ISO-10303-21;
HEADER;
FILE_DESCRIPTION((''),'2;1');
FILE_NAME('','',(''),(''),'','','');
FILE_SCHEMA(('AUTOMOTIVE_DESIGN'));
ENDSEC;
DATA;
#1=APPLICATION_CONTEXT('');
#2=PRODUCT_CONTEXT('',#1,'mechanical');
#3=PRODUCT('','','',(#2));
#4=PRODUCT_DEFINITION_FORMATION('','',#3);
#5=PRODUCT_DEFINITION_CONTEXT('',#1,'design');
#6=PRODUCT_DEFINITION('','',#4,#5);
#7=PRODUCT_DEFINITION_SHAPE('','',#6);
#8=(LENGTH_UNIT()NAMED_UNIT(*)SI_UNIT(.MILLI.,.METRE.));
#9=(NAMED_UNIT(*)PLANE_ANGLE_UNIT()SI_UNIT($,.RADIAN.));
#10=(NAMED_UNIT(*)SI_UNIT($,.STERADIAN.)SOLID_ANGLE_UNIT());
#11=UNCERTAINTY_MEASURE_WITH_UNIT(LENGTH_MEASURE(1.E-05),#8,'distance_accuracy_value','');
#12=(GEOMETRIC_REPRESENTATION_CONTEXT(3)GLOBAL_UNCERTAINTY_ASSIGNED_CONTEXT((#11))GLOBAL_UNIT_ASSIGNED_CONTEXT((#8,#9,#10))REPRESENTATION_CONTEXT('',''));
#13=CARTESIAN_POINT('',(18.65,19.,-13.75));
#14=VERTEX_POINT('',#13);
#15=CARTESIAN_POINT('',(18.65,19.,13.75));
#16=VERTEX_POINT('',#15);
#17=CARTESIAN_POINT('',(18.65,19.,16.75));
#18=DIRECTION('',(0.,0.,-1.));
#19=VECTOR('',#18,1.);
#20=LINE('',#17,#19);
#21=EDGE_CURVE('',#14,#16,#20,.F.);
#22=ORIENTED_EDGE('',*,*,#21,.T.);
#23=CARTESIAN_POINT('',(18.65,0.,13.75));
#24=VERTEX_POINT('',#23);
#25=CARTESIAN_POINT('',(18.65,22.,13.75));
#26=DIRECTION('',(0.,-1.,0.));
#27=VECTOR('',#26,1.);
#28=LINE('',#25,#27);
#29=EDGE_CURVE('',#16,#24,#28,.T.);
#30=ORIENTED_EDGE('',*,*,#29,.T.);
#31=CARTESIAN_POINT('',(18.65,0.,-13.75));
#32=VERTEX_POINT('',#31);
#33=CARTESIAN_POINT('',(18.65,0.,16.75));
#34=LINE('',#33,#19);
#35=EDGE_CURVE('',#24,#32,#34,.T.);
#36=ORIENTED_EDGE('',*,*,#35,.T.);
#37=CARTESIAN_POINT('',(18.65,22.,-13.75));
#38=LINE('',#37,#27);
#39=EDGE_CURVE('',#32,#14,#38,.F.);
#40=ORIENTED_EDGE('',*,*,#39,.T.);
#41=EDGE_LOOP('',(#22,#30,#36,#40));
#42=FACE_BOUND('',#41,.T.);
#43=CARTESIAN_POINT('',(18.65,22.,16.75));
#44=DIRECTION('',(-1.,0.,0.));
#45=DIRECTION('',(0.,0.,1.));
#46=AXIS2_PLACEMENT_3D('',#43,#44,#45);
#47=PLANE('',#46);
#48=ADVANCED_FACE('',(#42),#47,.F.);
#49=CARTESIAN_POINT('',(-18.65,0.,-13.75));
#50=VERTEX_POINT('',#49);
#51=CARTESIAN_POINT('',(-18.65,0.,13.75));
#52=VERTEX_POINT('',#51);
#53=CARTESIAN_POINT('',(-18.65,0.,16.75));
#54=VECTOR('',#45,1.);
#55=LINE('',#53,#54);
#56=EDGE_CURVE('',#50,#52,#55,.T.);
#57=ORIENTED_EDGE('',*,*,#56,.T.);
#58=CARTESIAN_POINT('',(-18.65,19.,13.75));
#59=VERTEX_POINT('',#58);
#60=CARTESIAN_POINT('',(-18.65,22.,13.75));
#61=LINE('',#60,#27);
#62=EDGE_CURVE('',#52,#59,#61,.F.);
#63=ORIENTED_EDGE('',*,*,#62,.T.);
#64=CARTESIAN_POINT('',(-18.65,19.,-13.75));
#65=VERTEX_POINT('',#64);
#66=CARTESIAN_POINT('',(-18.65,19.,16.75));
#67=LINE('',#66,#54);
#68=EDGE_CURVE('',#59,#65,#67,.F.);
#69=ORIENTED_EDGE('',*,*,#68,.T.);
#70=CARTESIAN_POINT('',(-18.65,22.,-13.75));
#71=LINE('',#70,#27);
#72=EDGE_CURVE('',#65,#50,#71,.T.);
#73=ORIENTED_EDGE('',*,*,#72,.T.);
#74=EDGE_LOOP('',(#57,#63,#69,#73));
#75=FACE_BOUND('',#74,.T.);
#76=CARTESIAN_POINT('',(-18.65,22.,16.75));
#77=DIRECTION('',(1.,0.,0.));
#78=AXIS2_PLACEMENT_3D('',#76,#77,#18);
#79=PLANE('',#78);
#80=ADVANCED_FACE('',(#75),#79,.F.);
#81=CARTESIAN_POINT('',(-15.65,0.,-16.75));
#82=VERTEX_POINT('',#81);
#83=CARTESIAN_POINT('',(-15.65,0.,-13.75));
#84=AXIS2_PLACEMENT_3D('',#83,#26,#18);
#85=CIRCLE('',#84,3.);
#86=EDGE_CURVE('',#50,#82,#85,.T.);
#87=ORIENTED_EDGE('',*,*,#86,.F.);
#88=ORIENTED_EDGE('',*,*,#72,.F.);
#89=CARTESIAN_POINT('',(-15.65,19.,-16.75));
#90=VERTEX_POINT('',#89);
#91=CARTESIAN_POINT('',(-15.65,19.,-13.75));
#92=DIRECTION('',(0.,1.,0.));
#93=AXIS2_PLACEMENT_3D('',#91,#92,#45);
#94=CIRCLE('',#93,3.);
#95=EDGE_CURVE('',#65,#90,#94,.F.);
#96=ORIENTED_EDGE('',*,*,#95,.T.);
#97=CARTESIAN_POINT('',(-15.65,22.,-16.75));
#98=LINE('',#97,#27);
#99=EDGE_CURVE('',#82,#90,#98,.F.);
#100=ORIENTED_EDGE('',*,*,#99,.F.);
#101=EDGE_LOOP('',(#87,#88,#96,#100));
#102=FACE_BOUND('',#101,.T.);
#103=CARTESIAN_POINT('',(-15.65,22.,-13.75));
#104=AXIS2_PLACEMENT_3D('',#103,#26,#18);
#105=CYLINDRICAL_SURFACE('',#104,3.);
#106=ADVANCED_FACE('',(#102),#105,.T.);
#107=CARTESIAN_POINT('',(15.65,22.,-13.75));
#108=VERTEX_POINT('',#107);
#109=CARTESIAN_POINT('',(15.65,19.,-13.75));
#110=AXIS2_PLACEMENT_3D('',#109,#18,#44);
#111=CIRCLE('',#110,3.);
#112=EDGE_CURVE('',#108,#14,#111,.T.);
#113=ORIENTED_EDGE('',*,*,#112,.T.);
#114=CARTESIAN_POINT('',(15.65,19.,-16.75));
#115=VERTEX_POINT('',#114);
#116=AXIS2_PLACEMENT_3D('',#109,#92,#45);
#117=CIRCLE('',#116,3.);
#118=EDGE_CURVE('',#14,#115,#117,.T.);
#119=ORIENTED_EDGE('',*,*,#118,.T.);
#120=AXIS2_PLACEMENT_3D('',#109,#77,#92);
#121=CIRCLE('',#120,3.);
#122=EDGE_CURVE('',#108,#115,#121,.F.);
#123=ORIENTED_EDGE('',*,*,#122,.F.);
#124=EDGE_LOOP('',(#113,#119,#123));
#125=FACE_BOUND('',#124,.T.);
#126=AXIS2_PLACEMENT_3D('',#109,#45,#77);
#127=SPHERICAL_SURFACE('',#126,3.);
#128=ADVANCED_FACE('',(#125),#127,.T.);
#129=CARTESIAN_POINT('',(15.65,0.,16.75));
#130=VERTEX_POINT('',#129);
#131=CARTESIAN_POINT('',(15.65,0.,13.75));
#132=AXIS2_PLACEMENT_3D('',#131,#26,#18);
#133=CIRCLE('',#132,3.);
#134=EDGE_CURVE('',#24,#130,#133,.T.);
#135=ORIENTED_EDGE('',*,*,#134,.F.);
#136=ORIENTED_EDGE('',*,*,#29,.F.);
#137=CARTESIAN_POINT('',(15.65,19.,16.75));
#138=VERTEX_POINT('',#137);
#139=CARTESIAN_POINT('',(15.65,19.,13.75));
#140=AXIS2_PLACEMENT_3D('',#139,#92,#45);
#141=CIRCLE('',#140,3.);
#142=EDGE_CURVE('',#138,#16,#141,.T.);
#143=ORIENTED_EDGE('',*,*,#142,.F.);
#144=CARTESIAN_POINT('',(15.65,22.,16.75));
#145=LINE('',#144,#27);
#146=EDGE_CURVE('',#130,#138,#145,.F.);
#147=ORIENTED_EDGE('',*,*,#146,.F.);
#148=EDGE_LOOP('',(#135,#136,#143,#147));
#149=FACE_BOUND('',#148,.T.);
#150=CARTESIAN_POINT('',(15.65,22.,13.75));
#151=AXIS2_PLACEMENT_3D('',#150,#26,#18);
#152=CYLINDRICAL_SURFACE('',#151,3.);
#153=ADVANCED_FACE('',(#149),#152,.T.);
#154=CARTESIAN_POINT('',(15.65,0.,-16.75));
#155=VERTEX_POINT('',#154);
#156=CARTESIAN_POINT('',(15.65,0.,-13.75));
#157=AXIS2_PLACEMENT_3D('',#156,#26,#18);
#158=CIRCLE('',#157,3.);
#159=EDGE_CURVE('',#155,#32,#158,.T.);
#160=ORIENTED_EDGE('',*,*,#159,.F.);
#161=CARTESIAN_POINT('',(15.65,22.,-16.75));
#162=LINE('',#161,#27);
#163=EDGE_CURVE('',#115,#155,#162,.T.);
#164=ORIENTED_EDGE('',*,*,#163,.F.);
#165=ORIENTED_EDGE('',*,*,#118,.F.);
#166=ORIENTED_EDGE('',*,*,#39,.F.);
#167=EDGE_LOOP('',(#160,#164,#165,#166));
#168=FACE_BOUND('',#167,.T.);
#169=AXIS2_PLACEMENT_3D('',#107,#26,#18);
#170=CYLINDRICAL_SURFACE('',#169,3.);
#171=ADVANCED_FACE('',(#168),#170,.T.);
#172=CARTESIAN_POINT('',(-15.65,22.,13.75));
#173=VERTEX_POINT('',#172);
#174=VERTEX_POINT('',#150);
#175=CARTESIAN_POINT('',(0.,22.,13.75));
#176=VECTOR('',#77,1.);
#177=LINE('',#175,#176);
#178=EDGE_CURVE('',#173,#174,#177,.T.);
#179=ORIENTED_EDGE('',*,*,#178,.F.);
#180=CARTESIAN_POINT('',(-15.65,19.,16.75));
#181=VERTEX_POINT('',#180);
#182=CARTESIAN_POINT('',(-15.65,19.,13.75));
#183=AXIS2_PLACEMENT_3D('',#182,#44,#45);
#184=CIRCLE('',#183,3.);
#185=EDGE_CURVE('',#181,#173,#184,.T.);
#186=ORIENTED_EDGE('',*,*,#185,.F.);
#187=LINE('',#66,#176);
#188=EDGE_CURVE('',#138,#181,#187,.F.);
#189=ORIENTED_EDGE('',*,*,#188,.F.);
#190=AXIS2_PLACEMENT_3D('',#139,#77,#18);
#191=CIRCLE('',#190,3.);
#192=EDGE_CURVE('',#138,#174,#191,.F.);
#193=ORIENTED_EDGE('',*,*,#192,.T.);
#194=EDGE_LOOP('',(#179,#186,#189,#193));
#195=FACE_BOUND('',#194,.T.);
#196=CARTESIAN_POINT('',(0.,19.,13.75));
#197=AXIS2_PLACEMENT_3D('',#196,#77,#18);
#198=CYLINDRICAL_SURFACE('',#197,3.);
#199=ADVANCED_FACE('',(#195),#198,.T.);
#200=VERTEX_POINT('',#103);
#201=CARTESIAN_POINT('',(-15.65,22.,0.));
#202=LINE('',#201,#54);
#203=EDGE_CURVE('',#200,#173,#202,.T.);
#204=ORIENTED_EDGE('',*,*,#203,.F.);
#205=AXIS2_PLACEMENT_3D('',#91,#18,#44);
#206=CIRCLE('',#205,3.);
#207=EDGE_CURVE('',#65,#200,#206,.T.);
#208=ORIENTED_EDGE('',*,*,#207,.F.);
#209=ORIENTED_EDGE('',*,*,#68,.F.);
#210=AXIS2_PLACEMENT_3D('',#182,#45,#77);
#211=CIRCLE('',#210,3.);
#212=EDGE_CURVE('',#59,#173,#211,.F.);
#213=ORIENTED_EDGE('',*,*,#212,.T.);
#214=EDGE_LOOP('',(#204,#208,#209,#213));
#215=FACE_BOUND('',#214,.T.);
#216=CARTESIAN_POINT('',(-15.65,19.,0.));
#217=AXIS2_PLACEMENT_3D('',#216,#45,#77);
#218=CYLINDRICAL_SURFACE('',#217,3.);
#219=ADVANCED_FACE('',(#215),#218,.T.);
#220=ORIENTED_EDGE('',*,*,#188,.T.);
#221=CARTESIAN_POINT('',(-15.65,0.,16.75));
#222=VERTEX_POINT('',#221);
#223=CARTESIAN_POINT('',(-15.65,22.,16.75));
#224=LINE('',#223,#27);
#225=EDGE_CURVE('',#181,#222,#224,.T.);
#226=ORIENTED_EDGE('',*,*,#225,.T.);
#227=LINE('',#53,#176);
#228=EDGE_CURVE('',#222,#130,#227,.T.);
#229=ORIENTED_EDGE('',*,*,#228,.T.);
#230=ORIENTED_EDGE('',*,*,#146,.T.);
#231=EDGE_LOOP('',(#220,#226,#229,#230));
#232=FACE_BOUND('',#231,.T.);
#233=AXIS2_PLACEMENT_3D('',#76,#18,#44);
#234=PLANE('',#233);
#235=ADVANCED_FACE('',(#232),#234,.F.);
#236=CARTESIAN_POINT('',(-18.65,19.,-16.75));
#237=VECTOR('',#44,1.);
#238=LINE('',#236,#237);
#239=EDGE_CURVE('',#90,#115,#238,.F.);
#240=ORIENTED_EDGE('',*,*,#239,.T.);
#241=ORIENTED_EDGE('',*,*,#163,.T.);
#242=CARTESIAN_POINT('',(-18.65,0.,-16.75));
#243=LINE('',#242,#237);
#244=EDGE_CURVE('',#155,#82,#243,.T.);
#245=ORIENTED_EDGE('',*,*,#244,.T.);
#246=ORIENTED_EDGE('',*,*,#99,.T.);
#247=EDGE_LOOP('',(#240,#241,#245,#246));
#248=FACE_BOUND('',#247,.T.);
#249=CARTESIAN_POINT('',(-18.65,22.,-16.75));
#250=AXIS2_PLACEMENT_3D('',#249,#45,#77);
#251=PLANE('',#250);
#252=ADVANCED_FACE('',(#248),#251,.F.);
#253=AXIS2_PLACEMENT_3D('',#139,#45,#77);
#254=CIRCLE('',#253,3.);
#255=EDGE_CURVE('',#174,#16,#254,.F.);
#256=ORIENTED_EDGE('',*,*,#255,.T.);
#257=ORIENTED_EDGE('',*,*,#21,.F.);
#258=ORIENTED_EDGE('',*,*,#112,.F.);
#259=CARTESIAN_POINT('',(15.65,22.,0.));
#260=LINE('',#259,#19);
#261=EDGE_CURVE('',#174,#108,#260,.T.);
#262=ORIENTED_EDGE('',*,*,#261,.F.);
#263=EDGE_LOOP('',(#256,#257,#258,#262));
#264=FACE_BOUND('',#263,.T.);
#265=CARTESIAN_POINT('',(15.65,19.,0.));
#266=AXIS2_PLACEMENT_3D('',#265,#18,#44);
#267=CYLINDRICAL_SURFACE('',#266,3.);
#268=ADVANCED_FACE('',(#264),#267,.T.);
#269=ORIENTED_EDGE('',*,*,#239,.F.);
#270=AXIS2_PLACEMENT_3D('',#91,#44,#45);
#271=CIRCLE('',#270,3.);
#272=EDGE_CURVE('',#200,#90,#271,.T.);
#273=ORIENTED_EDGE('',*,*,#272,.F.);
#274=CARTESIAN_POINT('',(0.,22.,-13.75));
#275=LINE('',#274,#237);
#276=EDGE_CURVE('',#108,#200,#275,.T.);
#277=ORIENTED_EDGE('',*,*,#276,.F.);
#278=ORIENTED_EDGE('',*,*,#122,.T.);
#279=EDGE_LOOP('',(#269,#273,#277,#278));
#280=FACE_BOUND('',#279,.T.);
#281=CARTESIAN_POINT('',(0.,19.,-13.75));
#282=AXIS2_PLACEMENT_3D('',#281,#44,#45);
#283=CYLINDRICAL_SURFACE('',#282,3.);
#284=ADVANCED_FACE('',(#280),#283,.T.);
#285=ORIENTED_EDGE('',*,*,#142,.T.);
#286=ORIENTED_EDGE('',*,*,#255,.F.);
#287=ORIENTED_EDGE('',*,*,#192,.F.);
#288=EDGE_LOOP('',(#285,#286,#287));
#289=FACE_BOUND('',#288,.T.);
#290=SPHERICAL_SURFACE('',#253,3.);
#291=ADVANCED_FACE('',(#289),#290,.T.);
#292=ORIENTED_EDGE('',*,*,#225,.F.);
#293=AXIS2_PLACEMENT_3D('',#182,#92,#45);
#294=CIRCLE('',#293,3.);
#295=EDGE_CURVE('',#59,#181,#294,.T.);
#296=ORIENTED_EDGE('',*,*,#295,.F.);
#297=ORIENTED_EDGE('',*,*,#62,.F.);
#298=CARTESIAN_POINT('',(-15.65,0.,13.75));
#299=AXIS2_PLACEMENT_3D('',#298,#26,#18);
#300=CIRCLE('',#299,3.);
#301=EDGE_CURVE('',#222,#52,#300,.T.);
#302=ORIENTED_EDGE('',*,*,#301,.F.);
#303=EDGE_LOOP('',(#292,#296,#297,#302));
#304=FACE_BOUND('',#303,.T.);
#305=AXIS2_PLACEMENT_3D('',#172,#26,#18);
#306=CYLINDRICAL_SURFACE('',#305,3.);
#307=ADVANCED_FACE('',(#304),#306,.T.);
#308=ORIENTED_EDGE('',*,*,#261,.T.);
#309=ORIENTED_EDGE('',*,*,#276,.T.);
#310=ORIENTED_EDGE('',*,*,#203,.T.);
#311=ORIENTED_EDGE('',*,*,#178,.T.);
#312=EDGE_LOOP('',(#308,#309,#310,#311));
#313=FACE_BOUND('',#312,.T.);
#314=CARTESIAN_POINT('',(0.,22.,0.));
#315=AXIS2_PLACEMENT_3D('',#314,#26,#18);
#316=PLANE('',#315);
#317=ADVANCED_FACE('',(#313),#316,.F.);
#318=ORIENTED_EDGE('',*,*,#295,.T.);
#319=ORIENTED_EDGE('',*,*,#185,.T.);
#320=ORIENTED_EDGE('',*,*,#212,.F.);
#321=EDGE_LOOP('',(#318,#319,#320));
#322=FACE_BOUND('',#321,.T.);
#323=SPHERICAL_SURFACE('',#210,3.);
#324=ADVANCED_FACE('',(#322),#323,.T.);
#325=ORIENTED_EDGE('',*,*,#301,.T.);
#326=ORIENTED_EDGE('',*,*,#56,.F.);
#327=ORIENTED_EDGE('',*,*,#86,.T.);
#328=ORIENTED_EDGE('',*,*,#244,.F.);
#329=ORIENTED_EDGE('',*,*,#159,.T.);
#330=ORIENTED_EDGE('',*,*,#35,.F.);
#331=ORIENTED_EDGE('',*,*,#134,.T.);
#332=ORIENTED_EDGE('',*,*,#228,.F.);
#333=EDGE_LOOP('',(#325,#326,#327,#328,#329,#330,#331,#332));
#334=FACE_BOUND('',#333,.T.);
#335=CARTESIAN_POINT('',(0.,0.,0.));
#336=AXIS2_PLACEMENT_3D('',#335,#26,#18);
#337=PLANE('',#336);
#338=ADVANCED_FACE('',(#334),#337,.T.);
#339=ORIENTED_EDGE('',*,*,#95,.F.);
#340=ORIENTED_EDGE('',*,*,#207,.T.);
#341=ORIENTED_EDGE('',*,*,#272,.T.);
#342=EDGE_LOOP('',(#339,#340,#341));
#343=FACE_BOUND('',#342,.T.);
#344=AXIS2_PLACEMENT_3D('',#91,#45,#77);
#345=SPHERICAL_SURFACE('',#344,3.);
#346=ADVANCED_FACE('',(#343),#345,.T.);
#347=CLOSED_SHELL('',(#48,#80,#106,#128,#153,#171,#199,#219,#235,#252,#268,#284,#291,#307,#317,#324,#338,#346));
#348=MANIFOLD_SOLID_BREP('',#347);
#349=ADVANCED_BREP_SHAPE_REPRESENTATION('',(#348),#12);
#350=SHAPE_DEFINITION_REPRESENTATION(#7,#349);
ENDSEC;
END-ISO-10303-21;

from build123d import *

# Parameters (mm, degrees)
CROQUIS1_W              = 37.3
CROQUIS1_H              = 33.5
SALIENTE_EXTRUIR1_DEPTH = 22
REDONDEO1_R             = 3


with BuildPart() as part:
    # Croquis1 → Saliente-Extruir1 (new body)
    with BuildSketch(Plane(origin=(0, 0, 0), x_dir=(1, 0, 0), z_dir=(0, 1, 0))):
        Rectangle(CROQUIS1_W, CROQUIS1_H)
    extrude(amount=SALIENTE_EXTRUIR1_DEPTH)

    # Redondeo1
    redondeo1_edges = [part.edges().sort_by_distance(p)[0] for p in [
        (-18.65, 22, 0),
        (0, 22, 16.75),
        (18.65, 22, 0),
        (0, 22, -16.75),
        (18.65, 11, 16.75),
        (-18.65, 11, 16.75),
        (-18.65, 11, -16.75),
        (18.65, 11, -16.75),
    ]]
    fillet(redondeo1_edges, radius=REDONDEO1_R)


solid = part.part
